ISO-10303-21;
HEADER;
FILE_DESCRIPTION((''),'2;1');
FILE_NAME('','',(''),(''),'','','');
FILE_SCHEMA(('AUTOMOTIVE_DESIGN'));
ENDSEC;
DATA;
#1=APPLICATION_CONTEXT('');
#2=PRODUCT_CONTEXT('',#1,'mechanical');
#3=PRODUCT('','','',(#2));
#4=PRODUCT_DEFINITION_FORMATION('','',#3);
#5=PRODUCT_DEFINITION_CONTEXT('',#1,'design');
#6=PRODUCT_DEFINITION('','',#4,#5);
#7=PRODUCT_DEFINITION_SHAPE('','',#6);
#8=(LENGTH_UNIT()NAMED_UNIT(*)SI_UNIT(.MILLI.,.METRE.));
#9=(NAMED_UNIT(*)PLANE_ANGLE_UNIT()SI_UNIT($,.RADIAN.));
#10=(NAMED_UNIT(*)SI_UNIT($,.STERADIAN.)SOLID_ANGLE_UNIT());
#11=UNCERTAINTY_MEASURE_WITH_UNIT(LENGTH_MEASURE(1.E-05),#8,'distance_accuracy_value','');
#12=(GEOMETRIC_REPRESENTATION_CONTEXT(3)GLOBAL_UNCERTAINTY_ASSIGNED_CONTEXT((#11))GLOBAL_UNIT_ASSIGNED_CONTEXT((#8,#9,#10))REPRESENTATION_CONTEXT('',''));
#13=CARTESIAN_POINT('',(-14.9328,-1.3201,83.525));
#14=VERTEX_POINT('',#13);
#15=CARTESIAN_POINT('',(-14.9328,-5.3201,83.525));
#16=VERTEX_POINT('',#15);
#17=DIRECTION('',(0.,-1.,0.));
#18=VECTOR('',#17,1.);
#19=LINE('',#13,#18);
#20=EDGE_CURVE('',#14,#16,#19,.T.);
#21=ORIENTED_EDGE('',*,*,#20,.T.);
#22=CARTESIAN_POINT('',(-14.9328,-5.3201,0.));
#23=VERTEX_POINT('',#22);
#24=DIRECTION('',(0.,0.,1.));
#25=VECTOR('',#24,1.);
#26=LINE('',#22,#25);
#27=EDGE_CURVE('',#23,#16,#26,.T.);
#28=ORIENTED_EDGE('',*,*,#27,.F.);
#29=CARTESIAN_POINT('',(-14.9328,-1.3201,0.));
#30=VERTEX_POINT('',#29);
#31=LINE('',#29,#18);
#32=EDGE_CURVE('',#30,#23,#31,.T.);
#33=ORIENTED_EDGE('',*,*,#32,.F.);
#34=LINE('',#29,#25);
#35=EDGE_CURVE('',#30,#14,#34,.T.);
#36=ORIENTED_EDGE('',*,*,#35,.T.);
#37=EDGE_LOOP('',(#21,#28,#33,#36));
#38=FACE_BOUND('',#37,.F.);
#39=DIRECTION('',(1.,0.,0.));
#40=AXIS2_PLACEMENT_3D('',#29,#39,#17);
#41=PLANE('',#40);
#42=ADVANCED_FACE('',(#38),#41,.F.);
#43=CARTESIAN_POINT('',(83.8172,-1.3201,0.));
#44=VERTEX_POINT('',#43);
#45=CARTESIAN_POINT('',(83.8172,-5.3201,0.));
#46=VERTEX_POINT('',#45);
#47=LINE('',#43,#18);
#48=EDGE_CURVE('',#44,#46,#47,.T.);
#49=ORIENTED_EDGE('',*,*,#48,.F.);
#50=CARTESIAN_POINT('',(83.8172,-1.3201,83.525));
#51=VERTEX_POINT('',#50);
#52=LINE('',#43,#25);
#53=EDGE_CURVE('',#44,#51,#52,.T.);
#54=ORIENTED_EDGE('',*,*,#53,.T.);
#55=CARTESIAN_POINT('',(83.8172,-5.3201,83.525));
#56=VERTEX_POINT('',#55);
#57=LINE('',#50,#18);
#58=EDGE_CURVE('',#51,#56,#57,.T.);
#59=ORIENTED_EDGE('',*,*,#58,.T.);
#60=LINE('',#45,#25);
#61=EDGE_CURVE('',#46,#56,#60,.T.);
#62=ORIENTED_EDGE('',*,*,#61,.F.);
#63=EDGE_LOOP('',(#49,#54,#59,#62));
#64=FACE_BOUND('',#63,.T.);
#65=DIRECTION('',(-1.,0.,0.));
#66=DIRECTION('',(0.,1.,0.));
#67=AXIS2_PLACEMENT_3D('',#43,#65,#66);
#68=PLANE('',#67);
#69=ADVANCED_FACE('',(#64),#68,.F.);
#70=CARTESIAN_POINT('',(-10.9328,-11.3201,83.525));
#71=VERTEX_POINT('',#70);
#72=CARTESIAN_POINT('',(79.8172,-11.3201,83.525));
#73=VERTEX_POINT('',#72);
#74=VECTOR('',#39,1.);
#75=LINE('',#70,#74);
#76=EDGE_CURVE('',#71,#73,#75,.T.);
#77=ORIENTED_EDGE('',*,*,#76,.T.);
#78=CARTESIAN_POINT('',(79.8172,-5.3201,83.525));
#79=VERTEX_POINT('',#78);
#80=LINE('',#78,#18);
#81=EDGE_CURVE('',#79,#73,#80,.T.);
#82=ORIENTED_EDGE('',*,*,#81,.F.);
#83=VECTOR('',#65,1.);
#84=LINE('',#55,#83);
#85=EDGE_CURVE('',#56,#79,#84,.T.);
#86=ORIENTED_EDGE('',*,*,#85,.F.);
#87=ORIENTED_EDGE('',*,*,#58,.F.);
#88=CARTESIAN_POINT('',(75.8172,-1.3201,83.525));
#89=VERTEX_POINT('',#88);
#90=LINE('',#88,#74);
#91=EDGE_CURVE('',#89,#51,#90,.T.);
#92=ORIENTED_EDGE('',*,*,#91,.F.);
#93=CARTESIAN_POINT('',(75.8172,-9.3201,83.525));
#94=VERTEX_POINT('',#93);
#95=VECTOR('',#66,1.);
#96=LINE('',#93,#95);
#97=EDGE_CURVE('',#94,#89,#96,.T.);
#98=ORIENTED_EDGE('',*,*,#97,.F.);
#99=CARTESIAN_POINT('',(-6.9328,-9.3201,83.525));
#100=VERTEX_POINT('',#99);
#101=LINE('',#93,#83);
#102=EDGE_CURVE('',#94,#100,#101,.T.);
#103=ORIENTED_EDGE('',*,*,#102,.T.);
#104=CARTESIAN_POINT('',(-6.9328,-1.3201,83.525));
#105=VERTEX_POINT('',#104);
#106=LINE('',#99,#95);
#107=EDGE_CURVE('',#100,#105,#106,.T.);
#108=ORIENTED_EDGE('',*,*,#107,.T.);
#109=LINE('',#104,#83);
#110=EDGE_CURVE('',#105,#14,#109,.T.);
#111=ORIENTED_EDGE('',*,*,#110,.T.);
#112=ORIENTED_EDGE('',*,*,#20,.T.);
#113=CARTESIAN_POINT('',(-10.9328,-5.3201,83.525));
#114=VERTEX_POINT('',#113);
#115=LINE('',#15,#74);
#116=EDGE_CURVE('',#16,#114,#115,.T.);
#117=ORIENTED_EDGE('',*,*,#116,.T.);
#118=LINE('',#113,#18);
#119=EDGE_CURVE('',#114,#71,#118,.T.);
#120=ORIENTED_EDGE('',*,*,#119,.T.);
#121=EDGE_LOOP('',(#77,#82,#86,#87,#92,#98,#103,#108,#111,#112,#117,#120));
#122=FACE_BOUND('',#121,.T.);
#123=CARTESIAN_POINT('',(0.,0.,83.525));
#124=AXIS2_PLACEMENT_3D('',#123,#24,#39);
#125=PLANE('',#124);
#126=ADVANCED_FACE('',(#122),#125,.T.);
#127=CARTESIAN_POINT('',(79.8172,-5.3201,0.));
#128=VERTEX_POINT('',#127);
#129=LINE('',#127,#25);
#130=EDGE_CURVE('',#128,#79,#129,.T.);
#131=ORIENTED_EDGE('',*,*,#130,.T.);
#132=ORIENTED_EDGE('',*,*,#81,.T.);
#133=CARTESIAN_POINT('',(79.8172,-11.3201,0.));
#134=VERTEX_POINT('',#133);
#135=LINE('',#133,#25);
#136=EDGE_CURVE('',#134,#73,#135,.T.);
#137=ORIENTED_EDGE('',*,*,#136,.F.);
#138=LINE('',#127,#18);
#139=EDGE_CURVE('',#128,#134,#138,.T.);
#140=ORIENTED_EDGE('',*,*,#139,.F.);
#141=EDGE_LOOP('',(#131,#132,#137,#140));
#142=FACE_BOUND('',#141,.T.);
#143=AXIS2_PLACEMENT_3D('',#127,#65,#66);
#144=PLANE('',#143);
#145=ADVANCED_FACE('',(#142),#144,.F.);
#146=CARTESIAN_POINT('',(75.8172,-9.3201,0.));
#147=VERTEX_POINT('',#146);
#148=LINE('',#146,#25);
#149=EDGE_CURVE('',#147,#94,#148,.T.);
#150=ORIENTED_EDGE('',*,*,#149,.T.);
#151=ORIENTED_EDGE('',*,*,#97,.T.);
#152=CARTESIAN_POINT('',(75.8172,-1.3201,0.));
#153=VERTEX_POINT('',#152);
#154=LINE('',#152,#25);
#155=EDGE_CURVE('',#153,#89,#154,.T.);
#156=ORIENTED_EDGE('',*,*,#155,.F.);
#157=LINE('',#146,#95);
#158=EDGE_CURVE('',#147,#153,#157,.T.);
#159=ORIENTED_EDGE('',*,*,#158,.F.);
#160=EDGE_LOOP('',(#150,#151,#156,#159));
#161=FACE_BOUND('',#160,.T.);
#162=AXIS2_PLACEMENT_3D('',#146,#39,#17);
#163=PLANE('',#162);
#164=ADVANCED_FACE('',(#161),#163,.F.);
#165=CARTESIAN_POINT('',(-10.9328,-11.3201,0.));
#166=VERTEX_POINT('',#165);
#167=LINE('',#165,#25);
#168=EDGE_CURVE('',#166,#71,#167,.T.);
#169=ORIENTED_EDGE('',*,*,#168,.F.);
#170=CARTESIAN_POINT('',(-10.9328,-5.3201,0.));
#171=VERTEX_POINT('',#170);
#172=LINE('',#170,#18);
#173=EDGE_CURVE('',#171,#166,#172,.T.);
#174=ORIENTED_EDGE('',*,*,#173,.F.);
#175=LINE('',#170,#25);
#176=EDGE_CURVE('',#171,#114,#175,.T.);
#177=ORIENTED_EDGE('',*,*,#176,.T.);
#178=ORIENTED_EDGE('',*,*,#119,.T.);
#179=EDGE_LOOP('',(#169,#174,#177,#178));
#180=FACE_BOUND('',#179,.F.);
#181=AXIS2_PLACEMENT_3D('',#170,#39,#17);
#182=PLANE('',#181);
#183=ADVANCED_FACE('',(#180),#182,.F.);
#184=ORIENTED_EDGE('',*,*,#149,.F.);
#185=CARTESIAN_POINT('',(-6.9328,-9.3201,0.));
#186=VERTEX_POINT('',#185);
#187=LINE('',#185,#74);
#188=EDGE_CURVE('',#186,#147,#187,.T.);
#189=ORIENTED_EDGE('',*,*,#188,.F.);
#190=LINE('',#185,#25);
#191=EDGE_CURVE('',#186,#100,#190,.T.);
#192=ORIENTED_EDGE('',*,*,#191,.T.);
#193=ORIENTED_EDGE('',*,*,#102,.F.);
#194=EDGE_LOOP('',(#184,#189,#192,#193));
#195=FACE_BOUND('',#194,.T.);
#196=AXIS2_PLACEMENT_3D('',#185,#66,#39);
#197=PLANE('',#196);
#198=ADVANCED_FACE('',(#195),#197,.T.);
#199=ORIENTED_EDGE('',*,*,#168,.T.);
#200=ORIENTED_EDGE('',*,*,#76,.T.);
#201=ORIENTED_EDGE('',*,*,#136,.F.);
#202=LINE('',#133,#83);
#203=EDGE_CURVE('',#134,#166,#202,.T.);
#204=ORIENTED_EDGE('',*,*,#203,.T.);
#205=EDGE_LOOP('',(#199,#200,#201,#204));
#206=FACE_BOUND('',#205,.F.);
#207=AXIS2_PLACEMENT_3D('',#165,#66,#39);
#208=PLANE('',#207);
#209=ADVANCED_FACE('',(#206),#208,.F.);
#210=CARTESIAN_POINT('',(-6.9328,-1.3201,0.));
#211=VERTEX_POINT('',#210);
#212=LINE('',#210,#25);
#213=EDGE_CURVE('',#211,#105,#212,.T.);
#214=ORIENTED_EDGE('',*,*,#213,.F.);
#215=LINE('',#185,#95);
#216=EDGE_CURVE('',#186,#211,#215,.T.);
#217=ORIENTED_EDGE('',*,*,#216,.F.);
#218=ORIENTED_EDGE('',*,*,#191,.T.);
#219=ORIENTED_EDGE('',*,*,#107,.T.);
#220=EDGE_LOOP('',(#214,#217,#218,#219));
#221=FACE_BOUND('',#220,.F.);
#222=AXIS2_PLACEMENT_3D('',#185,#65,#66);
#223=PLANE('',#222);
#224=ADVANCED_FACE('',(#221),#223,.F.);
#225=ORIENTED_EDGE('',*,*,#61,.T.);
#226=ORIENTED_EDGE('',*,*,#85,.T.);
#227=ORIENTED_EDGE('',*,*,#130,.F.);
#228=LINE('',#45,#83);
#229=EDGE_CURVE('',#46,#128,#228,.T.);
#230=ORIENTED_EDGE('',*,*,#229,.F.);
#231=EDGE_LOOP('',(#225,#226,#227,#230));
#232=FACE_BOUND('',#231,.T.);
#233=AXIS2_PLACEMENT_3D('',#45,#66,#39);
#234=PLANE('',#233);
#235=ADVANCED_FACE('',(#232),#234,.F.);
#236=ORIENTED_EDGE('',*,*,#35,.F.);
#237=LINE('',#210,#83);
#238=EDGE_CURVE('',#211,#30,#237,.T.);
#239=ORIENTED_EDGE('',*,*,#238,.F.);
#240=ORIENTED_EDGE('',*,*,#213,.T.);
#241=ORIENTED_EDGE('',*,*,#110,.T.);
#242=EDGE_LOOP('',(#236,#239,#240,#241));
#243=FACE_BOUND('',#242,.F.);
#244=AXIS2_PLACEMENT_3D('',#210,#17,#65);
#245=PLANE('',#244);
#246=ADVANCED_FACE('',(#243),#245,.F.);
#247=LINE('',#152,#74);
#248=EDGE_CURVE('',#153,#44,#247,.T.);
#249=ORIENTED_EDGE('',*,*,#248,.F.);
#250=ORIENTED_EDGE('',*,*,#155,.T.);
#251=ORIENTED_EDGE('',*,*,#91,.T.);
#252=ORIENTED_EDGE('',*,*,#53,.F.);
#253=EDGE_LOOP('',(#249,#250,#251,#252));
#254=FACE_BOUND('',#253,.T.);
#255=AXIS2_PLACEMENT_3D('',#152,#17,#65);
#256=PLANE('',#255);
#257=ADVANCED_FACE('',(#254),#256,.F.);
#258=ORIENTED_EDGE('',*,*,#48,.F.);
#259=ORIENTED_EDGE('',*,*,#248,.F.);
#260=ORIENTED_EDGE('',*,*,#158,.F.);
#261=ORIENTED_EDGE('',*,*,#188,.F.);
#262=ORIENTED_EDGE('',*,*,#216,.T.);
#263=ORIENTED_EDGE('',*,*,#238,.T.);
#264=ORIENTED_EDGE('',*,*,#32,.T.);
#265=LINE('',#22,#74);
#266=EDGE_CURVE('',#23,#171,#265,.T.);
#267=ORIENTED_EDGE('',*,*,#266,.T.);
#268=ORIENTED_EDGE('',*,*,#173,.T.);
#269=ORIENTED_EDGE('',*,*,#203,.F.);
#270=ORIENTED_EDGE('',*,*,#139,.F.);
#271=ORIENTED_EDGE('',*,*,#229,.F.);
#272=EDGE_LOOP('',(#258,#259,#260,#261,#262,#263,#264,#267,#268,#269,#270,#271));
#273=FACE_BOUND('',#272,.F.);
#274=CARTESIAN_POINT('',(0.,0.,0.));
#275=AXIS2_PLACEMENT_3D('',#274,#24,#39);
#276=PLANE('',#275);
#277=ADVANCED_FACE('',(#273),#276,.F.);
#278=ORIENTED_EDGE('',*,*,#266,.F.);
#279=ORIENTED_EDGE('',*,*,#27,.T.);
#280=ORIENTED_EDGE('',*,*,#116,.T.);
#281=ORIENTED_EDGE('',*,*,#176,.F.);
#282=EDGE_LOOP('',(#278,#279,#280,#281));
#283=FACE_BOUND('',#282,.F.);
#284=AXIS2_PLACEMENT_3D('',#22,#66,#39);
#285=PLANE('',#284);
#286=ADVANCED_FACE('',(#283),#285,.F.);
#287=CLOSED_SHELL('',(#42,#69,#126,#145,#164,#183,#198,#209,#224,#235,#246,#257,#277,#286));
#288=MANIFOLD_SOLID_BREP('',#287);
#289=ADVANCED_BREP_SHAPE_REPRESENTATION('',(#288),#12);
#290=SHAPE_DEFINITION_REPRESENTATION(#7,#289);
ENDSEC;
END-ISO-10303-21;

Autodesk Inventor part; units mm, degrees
ref_plane "YZ Plane" through (0, 0, 0) normal (1, 0, 0) x (0, 1, 0)
ref_plane "XZ Plane" through (0, 0, 0) normal (0, 1, 0) x (-1, 0, 0)
ref_plane "XY Plane" through (0, 0, 0) normal (0, 0, 1) x (1, 0, 0)
sketch "Sketch2" plane through (0, 0, 0) normal (0, 0, 1) x (1, 0, 0)
  line L0 (-14.9328, -5.3201) -> (-10.9328, -5.3201)
  line L1 (-10.9328, -5.3201) -> (-10.9328, -11.3201)
  line L2 (20.0672, -9.3201) -> (20.0672, -9.3157)
  line L3 (-6.9328, -9.3201) -> (-6.9328, -1.3201)
  line L4 (-6.9328, -1.3201) -> (-14.9328, -1.3201)
  line L5 (-14.9328, -1.3201) -> (-14.9328, -5.3201)
  line L6 (-14.9328, -5.3201) -> (-10.9328, -5.3201)
  line L7 (-14.9328, -1.3201) -> (-6.9328, -1.3201)
  line L8 (-6.9328, -1.3201) -> (-6.9328, -9.3201)
  line L9 (16.0672, -9.3157) -> (16.0672, -9.3201)
  line L10 (-10.9328, -11.3201) -> (-10.9328, -5.3201)
  line L11 (-10.9328, -5.3201) -> (-14.9328, -5.3201)
  line L12 (-14.9328, -1.3201) -> (-14.9328, -5.3201)
  line L13 (-10.9328, -11.3201) -> (34.4422, -11.3201)
  line L14 (-10.9328, -11.3201) -> (34.4422, -11.3201) construction
  line L15 (34.4422, -11.3201) -> (34.4422, -9.3201)
  line L16 (-6.9328, -9.3201) -> (34.4422, -9.3201)
  point P0 (0, 0)
  point P1 (-14.9328, 16.2146)
  point P2 (20.0672, -10.3179)
  point P3 (-12.9328, -5.3201)
  point P4 (-14.9328, -5.3201)
  dimension "d2" = 8
  dimension "d3" = 90
  dimension "d4" = 4
  dimension "d5" = 90
  dimension "d6" = 4
  dimension "d7" = 90
  dimension "d23" = 45.375
  dimension "d24" = 0
  dimension "d25" = 2
extrude "Extrusion4" add sketch "Sketch2" along normal blind 83.525
mirror "Mirror4" about plane through (34.4422, -11.3201, 0) normal (1, 0, 0) of "Extrusion4"
properties part number "Avionics Cradle (12-13)"
